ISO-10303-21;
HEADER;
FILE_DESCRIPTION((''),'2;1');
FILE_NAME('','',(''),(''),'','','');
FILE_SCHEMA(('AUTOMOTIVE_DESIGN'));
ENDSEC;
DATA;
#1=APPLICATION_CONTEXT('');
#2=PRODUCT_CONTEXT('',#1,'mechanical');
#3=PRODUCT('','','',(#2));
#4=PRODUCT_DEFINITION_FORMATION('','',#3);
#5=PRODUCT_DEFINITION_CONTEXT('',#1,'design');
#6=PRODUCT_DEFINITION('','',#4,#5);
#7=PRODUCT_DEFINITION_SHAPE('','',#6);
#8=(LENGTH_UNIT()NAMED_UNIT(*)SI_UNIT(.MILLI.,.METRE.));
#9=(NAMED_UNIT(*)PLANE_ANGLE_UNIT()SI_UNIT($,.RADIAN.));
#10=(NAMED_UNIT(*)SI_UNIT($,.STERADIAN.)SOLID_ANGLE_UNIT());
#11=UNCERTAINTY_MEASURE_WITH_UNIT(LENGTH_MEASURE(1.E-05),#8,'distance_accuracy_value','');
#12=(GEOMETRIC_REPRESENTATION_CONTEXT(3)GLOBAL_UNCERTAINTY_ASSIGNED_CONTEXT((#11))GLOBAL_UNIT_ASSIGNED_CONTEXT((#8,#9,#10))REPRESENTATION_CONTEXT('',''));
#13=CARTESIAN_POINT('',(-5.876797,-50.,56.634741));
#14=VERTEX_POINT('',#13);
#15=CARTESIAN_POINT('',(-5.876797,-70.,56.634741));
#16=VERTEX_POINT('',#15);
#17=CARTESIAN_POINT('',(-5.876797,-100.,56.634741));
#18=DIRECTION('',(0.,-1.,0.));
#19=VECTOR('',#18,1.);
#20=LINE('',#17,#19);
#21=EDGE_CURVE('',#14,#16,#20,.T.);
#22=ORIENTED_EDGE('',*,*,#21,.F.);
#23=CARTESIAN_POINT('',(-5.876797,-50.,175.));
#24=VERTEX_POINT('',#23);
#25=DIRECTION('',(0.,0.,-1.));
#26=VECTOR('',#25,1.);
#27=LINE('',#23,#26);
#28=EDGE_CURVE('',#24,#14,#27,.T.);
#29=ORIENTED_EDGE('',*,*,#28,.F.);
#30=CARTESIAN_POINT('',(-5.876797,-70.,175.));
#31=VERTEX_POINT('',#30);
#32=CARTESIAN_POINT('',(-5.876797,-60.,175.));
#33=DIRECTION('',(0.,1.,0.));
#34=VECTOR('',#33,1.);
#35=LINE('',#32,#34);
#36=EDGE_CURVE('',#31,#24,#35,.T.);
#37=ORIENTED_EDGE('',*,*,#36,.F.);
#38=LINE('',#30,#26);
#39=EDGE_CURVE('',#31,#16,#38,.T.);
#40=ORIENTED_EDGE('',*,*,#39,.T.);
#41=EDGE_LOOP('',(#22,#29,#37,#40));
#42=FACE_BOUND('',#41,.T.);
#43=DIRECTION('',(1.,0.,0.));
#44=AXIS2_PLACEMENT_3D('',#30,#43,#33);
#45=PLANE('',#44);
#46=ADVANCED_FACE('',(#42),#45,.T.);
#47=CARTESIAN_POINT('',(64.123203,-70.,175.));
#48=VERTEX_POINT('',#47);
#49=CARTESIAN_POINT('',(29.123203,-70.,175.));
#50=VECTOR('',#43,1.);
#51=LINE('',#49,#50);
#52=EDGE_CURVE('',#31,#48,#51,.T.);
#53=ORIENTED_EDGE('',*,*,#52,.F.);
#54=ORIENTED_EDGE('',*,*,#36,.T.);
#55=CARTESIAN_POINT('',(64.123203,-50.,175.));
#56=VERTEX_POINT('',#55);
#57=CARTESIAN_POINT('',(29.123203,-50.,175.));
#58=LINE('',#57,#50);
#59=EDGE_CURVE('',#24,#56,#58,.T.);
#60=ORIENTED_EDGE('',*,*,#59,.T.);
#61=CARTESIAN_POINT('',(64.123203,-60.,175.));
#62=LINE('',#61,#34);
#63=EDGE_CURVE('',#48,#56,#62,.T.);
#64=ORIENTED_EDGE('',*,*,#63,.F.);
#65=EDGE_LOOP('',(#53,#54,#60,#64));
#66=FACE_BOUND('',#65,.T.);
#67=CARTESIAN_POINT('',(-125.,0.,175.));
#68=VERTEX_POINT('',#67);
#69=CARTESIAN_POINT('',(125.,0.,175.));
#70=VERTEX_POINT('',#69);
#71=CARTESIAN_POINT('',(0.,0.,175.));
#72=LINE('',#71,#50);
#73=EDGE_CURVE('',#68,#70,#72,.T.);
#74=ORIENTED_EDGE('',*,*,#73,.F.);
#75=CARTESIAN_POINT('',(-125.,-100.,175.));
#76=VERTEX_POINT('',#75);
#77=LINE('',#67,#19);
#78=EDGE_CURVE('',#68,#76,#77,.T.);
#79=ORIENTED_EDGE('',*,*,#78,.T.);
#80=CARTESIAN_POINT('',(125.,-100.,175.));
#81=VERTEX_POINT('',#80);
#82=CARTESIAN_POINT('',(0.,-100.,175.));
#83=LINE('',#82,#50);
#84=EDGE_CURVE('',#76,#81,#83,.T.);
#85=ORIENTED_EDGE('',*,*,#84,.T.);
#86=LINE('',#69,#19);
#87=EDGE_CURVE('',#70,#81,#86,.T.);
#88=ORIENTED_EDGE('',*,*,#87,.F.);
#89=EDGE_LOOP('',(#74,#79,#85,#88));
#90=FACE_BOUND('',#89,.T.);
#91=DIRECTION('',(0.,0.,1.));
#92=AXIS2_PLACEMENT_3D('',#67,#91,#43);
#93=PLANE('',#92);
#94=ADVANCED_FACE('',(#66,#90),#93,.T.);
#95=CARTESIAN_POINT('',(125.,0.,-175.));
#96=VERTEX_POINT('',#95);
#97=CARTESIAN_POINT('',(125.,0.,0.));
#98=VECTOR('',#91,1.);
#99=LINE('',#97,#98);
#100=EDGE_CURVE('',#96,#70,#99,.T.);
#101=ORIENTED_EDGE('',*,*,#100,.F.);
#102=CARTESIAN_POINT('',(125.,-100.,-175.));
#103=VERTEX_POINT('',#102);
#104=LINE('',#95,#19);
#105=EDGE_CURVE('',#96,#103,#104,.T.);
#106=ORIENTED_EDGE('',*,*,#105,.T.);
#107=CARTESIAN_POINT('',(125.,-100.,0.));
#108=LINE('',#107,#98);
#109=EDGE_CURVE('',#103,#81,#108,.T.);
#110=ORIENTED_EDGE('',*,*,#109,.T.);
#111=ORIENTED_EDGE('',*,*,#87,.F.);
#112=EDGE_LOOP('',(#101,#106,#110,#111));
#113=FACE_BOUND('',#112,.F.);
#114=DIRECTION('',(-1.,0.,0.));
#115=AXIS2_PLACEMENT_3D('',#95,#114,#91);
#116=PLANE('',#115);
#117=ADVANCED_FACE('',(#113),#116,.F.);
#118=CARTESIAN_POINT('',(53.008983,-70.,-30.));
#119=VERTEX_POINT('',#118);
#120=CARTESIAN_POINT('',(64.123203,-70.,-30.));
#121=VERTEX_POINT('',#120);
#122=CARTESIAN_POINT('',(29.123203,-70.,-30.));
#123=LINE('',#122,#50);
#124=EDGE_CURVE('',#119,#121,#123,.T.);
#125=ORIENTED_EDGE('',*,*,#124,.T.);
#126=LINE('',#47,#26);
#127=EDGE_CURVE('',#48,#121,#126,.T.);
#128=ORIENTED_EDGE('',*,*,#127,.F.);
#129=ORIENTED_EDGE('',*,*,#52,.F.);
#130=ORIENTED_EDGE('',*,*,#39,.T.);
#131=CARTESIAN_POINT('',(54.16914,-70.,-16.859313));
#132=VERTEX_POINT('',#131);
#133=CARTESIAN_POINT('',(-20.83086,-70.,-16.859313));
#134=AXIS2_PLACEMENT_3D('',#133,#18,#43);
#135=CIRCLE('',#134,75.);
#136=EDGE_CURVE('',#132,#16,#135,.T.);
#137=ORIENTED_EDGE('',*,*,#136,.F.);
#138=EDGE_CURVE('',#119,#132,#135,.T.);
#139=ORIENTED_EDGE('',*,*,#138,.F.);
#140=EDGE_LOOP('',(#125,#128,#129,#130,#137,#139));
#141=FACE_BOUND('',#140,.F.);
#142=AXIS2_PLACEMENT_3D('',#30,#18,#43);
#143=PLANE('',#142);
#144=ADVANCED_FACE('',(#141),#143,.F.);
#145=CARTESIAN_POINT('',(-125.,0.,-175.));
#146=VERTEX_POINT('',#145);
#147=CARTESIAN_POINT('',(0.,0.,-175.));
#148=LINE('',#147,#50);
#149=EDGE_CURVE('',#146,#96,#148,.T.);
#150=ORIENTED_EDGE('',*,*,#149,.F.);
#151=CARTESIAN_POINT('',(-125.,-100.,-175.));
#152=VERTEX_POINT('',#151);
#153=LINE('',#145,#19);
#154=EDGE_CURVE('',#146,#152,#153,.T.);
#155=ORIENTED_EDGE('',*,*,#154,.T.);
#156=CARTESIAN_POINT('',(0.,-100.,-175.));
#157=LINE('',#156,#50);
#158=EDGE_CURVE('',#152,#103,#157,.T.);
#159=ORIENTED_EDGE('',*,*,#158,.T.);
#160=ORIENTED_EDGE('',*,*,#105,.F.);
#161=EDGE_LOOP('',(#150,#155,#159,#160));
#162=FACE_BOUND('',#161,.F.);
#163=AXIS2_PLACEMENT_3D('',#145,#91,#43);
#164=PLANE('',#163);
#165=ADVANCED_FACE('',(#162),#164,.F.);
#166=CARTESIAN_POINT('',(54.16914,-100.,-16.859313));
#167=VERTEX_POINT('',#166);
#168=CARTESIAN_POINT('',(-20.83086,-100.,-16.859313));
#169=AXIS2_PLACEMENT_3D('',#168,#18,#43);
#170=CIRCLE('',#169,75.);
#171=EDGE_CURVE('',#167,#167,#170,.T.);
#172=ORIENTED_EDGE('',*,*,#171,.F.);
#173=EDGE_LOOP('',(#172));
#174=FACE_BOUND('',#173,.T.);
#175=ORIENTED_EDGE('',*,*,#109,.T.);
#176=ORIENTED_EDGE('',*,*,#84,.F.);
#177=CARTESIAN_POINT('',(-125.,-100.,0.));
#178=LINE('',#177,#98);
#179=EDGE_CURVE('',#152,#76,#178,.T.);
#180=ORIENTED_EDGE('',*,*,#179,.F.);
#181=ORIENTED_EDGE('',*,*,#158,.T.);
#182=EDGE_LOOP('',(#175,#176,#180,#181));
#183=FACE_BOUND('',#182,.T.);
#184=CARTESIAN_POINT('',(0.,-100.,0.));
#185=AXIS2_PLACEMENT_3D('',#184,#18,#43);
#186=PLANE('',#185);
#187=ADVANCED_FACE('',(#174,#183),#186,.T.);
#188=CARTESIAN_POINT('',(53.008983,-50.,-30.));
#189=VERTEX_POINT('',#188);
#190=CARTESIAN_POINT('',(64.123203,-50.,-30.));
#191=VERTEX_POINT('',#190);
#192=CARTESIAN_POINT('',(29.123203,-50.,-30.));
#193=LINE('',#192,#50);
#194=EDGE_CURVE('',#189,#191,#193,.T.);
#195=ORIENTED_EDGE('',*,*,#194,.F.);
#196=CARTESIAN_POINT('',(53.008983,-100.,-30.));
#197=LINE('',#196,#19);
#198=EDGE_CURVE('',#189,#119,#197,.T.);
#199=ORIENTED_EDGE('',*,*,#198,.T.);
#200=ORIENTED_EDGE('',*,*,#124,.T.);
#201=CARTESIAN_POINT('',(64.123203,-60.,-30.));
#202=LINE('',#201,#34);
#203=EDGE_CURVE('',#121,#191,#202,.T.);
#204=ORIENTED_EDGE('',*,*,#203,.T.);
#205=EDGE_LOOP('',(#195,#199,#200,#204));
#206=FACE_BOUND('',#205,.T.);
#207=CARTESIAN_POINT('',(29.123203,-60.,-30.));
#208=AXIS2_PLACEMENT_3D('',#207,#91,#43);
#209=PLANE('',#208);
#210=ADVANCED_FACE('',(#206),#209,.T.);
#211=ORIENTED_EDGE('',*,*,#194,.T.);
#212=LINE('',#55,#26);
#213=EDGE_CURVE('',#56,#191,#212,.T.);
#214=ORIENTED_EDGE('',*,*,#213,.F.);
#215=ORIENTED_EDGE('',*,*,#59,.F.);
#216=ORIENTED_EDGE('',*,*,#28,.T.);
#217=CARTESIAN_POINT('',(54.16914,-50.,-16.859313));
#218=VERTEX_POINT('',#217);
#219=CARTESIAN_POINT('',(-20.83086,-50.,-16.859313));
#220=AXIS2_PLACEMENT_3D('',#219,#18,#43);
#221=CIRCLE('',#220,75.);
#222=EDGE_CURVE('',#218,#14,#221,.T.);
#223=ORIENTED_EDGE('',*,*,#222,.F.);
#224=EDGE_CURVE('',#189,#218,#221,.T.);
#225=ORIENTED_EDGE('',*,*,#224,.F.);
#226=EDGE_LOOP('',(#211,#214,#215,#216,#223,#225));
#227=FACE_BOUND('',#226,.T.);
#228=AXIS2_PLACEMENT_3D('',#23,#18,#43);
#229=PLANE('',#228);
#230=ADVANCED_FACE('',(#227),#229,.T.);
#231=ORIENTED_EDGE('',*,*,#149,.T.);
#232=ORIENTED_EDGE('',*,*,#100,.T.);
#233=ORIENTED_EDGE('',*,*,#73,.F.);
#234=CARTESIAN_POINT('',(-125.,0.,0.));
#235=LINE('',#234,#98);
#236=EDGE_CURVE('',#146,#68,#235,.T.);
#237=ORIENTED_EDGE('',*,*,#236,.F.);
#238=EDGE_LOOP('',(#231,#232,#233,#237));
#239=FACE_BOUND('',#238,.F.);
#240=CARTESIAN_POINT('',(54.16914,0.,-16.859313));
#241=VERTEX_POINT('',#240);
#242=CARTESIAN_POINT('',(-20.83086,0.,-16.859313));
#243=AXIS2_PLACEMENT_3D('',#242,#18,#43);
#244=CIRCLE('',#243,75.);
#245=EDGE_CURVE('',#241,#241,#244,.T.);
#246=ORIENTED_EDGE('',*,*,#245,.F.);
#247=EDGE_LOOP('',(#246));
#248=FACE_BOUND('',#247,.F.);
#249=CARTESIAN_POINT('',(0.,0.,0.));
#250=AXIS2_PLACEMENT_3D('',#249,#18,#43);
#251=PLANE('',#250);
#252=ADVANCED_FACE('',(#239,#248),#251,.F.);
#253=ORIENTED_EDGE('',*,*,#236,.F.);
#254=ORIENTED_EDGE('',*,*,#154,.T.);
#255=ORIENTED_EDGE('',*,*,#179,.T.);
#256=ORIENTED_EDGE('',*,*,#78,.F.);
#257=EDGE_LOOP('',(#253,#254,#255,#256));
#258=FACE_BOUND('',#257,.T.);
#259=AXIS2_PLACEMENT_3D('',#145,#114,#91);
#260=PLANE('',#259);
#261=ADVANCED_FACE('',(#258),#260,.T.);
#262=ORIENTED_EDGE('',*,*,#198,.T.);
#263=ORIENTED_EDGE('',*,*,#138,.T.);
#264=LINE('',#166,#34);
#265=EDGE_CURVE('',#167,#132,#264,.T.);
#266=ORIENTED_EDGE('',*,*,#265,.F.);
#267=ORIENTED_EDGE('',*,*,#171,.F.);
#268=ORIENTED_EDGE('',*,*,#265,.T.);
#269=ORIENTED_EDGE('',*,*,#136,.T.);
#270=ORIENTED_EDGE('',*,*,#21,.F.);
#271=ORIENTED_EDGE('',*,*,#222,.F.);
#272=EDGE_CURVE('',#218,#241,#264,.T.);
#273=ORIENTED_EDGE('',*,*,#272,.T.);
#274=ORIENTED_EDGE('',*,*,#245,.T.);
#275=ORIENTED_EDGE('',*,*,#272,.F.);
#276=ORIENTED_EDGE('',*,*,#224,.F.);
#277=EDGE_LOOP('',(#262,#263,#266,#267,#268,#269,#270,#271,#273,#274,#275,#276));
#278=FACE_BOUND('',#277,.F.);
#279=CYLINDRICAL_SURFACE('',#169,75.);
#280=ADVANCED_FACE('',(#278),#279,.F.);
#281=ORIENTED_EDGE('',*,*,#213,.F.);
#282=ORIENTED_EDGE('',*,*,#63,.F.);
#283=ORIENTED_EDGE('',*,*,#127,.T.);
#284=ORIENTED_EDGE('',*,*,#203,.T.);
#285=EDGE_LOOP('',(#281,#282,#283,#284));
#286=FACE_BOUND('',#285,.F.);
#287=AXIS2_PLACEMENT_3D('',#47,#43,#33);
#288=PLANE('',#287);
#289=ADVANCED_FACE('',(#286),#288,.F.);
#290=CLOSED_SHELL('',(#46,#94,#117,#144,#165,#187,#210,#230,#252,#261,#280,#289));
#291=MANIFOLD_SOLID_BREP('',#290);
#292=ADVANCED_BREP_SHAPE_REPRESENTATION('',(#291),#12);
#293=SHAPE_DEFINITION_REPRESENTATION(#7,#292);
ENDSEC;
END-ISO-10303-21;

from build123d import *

# Parameters (mm, degrees)
F0_W     = 250
F0_H     = 350
F1_DEPTH = 100
F2_R     = 75
F3_DEPTH = 267
F4_W     = 70
F4_H     = 20
F5_DEPTH = 205


with BuildPart() as f1:
    # F0 (on Front) → F1 (new body)
    with BuildSketch(Plane.XZ):
        Rectangle(F0_W, F0_H)
    extrude(amount=F1_DEPTH)

    # F2 (on face) → F3 (cut)
    with BuildSketch(Plane.XZ.offset(100)):
        with Locations((-20.83086, -16.859313)):
            Circle(F2_R)
    extrude(amount=-F3_DEPTH, mode=Mode.SUBTRACT)

    # F4 (on face) → F5 (cut)
    with BuildSketch(Plane.XY.offset(175)):
        with Locations((29.123203, -60)):
            Rectangle(F4_W, F4_H)
    extrude(amount=-F5_DEPTH, mode=Mode.SUBTRACT)


solid = f1.part
